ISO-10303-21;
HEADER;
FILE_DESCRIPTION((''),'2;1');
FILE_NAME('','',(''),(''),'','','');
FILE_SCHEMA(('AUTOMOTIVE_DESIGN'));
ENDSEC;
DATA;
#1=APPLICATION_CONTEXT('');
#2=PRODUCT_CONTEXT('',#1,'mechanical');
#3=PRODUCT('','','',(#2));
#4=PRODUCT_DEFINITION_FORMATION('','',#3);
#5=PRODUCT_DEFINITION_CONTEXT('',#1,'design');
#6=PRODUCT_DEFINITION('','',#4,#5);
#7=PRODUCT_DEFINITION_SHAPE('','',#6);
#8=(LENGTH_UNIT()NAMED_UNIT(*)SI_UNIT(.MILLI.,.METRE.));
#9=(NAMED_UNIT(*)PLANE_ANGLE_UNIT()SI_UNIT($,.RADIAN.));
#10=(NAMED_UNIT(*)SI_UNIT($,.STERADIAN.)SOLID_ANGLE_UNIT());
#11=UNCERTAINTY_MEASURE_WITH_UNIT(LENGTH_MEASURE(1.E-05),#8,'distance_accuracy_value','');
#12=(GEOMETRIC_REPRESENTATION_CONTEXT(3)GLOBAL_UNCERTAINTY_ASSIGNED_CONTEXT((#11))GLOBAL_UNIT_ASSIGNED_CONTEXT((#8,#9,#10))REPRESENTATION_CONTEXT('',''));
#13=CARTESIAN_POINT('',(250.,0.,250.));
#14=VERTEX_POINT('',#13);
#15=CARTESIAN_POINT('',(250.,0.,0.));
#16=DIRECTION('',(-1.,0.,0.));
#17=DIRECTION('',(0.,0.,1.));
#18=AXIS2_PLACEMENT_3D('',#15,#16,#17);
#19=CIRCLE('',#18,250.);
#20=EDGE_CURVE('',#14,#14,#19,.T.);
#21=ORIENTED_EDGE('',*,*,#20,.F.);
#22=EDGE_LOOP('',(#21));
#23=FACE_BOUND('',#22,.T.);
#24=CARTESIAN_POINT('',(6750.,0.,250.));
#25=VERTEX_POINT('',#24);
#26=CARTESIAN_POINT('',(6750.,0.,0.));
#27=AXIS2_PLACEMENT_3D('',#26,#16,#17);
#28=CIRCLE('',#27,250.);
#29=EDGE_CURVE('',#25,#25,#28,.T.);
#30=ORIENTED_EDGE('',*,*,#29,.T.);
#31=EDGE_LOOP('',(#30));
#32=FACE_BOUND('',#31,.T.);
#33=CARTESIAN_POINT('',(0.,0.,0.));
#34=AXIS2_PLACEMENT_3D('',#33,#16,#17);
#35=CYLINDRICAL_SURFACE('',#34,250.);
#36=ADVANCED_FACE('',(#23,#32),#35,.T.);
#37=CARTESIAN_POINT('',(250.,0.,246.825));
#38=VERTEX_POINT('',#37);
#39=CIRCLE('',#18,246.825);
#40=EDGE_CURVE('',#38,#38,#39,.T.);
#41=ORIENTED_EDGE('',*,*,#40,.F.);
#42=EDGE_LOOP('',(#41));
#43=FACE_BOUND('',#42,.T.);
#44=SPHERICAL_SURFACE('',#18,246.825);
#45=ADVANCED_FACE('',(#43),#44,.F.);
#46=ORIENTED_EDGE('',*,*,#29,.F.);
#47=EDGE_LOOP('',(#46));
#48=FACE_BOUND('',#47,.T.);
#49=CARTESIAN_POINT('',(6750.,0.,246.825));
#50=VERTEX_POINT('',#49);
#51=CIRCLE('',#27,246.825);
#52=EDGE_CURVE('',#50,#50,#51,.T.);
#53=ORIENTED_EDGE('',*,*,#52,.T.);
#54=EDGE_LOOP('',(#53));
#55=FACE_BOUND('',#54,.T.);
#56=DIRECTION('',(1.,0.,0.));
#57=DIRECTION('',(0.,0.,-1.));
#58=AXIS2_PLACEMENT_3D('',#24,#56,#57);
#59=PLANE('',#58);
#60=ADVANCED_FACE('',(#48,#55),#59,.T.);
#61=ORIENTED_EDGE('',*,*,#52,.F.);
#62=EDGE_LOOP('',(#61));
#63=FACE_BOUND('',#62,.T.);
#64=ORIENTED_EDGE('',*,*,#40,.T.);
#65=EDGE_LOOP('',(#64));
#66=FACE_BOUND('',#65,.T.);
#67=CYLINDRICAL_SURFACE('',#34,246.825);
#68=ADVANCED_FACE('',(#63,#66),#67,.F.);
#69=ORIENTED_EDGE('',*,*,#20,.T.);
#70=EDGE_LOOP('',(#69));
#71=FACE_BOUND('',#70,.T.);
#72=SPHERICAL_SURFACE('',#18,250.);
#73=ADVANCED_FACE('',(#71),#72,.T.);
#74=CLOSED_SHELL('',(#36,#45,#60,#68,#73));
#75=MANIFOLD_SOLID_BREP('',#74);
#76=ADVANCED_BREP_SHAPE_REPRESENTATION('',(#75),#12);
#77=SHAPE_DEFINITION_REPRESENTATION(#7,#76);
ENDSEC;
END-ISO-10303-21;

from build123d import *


with BuildPart() as part:
    # rootSketch → Revolve1 (revolve)
    with BuildSketch(Plane(origin=(0, 0, 0), x_dir=(1, 0, 0), z_dir=(0, 1, 0))):
        with BuildLine():
            Line((250, -250), (6750, -250))
            Line((6750, -250), (6750, -246.825))
            Line((6750, -246.825), (250, -246.825))
            ThreePointArc((250, -246.825), (75.468368734, -174.531631266), (3.175, 0))
            Line((3.175, 0), (0, 0))
            ThreePointArc((0, 0), (73.223304703, -176.776695297), (250, -250))
        make_face()
    revolve(axis=Axis((0, 0, 0), (1, 0, 0)))


solid = part.part
